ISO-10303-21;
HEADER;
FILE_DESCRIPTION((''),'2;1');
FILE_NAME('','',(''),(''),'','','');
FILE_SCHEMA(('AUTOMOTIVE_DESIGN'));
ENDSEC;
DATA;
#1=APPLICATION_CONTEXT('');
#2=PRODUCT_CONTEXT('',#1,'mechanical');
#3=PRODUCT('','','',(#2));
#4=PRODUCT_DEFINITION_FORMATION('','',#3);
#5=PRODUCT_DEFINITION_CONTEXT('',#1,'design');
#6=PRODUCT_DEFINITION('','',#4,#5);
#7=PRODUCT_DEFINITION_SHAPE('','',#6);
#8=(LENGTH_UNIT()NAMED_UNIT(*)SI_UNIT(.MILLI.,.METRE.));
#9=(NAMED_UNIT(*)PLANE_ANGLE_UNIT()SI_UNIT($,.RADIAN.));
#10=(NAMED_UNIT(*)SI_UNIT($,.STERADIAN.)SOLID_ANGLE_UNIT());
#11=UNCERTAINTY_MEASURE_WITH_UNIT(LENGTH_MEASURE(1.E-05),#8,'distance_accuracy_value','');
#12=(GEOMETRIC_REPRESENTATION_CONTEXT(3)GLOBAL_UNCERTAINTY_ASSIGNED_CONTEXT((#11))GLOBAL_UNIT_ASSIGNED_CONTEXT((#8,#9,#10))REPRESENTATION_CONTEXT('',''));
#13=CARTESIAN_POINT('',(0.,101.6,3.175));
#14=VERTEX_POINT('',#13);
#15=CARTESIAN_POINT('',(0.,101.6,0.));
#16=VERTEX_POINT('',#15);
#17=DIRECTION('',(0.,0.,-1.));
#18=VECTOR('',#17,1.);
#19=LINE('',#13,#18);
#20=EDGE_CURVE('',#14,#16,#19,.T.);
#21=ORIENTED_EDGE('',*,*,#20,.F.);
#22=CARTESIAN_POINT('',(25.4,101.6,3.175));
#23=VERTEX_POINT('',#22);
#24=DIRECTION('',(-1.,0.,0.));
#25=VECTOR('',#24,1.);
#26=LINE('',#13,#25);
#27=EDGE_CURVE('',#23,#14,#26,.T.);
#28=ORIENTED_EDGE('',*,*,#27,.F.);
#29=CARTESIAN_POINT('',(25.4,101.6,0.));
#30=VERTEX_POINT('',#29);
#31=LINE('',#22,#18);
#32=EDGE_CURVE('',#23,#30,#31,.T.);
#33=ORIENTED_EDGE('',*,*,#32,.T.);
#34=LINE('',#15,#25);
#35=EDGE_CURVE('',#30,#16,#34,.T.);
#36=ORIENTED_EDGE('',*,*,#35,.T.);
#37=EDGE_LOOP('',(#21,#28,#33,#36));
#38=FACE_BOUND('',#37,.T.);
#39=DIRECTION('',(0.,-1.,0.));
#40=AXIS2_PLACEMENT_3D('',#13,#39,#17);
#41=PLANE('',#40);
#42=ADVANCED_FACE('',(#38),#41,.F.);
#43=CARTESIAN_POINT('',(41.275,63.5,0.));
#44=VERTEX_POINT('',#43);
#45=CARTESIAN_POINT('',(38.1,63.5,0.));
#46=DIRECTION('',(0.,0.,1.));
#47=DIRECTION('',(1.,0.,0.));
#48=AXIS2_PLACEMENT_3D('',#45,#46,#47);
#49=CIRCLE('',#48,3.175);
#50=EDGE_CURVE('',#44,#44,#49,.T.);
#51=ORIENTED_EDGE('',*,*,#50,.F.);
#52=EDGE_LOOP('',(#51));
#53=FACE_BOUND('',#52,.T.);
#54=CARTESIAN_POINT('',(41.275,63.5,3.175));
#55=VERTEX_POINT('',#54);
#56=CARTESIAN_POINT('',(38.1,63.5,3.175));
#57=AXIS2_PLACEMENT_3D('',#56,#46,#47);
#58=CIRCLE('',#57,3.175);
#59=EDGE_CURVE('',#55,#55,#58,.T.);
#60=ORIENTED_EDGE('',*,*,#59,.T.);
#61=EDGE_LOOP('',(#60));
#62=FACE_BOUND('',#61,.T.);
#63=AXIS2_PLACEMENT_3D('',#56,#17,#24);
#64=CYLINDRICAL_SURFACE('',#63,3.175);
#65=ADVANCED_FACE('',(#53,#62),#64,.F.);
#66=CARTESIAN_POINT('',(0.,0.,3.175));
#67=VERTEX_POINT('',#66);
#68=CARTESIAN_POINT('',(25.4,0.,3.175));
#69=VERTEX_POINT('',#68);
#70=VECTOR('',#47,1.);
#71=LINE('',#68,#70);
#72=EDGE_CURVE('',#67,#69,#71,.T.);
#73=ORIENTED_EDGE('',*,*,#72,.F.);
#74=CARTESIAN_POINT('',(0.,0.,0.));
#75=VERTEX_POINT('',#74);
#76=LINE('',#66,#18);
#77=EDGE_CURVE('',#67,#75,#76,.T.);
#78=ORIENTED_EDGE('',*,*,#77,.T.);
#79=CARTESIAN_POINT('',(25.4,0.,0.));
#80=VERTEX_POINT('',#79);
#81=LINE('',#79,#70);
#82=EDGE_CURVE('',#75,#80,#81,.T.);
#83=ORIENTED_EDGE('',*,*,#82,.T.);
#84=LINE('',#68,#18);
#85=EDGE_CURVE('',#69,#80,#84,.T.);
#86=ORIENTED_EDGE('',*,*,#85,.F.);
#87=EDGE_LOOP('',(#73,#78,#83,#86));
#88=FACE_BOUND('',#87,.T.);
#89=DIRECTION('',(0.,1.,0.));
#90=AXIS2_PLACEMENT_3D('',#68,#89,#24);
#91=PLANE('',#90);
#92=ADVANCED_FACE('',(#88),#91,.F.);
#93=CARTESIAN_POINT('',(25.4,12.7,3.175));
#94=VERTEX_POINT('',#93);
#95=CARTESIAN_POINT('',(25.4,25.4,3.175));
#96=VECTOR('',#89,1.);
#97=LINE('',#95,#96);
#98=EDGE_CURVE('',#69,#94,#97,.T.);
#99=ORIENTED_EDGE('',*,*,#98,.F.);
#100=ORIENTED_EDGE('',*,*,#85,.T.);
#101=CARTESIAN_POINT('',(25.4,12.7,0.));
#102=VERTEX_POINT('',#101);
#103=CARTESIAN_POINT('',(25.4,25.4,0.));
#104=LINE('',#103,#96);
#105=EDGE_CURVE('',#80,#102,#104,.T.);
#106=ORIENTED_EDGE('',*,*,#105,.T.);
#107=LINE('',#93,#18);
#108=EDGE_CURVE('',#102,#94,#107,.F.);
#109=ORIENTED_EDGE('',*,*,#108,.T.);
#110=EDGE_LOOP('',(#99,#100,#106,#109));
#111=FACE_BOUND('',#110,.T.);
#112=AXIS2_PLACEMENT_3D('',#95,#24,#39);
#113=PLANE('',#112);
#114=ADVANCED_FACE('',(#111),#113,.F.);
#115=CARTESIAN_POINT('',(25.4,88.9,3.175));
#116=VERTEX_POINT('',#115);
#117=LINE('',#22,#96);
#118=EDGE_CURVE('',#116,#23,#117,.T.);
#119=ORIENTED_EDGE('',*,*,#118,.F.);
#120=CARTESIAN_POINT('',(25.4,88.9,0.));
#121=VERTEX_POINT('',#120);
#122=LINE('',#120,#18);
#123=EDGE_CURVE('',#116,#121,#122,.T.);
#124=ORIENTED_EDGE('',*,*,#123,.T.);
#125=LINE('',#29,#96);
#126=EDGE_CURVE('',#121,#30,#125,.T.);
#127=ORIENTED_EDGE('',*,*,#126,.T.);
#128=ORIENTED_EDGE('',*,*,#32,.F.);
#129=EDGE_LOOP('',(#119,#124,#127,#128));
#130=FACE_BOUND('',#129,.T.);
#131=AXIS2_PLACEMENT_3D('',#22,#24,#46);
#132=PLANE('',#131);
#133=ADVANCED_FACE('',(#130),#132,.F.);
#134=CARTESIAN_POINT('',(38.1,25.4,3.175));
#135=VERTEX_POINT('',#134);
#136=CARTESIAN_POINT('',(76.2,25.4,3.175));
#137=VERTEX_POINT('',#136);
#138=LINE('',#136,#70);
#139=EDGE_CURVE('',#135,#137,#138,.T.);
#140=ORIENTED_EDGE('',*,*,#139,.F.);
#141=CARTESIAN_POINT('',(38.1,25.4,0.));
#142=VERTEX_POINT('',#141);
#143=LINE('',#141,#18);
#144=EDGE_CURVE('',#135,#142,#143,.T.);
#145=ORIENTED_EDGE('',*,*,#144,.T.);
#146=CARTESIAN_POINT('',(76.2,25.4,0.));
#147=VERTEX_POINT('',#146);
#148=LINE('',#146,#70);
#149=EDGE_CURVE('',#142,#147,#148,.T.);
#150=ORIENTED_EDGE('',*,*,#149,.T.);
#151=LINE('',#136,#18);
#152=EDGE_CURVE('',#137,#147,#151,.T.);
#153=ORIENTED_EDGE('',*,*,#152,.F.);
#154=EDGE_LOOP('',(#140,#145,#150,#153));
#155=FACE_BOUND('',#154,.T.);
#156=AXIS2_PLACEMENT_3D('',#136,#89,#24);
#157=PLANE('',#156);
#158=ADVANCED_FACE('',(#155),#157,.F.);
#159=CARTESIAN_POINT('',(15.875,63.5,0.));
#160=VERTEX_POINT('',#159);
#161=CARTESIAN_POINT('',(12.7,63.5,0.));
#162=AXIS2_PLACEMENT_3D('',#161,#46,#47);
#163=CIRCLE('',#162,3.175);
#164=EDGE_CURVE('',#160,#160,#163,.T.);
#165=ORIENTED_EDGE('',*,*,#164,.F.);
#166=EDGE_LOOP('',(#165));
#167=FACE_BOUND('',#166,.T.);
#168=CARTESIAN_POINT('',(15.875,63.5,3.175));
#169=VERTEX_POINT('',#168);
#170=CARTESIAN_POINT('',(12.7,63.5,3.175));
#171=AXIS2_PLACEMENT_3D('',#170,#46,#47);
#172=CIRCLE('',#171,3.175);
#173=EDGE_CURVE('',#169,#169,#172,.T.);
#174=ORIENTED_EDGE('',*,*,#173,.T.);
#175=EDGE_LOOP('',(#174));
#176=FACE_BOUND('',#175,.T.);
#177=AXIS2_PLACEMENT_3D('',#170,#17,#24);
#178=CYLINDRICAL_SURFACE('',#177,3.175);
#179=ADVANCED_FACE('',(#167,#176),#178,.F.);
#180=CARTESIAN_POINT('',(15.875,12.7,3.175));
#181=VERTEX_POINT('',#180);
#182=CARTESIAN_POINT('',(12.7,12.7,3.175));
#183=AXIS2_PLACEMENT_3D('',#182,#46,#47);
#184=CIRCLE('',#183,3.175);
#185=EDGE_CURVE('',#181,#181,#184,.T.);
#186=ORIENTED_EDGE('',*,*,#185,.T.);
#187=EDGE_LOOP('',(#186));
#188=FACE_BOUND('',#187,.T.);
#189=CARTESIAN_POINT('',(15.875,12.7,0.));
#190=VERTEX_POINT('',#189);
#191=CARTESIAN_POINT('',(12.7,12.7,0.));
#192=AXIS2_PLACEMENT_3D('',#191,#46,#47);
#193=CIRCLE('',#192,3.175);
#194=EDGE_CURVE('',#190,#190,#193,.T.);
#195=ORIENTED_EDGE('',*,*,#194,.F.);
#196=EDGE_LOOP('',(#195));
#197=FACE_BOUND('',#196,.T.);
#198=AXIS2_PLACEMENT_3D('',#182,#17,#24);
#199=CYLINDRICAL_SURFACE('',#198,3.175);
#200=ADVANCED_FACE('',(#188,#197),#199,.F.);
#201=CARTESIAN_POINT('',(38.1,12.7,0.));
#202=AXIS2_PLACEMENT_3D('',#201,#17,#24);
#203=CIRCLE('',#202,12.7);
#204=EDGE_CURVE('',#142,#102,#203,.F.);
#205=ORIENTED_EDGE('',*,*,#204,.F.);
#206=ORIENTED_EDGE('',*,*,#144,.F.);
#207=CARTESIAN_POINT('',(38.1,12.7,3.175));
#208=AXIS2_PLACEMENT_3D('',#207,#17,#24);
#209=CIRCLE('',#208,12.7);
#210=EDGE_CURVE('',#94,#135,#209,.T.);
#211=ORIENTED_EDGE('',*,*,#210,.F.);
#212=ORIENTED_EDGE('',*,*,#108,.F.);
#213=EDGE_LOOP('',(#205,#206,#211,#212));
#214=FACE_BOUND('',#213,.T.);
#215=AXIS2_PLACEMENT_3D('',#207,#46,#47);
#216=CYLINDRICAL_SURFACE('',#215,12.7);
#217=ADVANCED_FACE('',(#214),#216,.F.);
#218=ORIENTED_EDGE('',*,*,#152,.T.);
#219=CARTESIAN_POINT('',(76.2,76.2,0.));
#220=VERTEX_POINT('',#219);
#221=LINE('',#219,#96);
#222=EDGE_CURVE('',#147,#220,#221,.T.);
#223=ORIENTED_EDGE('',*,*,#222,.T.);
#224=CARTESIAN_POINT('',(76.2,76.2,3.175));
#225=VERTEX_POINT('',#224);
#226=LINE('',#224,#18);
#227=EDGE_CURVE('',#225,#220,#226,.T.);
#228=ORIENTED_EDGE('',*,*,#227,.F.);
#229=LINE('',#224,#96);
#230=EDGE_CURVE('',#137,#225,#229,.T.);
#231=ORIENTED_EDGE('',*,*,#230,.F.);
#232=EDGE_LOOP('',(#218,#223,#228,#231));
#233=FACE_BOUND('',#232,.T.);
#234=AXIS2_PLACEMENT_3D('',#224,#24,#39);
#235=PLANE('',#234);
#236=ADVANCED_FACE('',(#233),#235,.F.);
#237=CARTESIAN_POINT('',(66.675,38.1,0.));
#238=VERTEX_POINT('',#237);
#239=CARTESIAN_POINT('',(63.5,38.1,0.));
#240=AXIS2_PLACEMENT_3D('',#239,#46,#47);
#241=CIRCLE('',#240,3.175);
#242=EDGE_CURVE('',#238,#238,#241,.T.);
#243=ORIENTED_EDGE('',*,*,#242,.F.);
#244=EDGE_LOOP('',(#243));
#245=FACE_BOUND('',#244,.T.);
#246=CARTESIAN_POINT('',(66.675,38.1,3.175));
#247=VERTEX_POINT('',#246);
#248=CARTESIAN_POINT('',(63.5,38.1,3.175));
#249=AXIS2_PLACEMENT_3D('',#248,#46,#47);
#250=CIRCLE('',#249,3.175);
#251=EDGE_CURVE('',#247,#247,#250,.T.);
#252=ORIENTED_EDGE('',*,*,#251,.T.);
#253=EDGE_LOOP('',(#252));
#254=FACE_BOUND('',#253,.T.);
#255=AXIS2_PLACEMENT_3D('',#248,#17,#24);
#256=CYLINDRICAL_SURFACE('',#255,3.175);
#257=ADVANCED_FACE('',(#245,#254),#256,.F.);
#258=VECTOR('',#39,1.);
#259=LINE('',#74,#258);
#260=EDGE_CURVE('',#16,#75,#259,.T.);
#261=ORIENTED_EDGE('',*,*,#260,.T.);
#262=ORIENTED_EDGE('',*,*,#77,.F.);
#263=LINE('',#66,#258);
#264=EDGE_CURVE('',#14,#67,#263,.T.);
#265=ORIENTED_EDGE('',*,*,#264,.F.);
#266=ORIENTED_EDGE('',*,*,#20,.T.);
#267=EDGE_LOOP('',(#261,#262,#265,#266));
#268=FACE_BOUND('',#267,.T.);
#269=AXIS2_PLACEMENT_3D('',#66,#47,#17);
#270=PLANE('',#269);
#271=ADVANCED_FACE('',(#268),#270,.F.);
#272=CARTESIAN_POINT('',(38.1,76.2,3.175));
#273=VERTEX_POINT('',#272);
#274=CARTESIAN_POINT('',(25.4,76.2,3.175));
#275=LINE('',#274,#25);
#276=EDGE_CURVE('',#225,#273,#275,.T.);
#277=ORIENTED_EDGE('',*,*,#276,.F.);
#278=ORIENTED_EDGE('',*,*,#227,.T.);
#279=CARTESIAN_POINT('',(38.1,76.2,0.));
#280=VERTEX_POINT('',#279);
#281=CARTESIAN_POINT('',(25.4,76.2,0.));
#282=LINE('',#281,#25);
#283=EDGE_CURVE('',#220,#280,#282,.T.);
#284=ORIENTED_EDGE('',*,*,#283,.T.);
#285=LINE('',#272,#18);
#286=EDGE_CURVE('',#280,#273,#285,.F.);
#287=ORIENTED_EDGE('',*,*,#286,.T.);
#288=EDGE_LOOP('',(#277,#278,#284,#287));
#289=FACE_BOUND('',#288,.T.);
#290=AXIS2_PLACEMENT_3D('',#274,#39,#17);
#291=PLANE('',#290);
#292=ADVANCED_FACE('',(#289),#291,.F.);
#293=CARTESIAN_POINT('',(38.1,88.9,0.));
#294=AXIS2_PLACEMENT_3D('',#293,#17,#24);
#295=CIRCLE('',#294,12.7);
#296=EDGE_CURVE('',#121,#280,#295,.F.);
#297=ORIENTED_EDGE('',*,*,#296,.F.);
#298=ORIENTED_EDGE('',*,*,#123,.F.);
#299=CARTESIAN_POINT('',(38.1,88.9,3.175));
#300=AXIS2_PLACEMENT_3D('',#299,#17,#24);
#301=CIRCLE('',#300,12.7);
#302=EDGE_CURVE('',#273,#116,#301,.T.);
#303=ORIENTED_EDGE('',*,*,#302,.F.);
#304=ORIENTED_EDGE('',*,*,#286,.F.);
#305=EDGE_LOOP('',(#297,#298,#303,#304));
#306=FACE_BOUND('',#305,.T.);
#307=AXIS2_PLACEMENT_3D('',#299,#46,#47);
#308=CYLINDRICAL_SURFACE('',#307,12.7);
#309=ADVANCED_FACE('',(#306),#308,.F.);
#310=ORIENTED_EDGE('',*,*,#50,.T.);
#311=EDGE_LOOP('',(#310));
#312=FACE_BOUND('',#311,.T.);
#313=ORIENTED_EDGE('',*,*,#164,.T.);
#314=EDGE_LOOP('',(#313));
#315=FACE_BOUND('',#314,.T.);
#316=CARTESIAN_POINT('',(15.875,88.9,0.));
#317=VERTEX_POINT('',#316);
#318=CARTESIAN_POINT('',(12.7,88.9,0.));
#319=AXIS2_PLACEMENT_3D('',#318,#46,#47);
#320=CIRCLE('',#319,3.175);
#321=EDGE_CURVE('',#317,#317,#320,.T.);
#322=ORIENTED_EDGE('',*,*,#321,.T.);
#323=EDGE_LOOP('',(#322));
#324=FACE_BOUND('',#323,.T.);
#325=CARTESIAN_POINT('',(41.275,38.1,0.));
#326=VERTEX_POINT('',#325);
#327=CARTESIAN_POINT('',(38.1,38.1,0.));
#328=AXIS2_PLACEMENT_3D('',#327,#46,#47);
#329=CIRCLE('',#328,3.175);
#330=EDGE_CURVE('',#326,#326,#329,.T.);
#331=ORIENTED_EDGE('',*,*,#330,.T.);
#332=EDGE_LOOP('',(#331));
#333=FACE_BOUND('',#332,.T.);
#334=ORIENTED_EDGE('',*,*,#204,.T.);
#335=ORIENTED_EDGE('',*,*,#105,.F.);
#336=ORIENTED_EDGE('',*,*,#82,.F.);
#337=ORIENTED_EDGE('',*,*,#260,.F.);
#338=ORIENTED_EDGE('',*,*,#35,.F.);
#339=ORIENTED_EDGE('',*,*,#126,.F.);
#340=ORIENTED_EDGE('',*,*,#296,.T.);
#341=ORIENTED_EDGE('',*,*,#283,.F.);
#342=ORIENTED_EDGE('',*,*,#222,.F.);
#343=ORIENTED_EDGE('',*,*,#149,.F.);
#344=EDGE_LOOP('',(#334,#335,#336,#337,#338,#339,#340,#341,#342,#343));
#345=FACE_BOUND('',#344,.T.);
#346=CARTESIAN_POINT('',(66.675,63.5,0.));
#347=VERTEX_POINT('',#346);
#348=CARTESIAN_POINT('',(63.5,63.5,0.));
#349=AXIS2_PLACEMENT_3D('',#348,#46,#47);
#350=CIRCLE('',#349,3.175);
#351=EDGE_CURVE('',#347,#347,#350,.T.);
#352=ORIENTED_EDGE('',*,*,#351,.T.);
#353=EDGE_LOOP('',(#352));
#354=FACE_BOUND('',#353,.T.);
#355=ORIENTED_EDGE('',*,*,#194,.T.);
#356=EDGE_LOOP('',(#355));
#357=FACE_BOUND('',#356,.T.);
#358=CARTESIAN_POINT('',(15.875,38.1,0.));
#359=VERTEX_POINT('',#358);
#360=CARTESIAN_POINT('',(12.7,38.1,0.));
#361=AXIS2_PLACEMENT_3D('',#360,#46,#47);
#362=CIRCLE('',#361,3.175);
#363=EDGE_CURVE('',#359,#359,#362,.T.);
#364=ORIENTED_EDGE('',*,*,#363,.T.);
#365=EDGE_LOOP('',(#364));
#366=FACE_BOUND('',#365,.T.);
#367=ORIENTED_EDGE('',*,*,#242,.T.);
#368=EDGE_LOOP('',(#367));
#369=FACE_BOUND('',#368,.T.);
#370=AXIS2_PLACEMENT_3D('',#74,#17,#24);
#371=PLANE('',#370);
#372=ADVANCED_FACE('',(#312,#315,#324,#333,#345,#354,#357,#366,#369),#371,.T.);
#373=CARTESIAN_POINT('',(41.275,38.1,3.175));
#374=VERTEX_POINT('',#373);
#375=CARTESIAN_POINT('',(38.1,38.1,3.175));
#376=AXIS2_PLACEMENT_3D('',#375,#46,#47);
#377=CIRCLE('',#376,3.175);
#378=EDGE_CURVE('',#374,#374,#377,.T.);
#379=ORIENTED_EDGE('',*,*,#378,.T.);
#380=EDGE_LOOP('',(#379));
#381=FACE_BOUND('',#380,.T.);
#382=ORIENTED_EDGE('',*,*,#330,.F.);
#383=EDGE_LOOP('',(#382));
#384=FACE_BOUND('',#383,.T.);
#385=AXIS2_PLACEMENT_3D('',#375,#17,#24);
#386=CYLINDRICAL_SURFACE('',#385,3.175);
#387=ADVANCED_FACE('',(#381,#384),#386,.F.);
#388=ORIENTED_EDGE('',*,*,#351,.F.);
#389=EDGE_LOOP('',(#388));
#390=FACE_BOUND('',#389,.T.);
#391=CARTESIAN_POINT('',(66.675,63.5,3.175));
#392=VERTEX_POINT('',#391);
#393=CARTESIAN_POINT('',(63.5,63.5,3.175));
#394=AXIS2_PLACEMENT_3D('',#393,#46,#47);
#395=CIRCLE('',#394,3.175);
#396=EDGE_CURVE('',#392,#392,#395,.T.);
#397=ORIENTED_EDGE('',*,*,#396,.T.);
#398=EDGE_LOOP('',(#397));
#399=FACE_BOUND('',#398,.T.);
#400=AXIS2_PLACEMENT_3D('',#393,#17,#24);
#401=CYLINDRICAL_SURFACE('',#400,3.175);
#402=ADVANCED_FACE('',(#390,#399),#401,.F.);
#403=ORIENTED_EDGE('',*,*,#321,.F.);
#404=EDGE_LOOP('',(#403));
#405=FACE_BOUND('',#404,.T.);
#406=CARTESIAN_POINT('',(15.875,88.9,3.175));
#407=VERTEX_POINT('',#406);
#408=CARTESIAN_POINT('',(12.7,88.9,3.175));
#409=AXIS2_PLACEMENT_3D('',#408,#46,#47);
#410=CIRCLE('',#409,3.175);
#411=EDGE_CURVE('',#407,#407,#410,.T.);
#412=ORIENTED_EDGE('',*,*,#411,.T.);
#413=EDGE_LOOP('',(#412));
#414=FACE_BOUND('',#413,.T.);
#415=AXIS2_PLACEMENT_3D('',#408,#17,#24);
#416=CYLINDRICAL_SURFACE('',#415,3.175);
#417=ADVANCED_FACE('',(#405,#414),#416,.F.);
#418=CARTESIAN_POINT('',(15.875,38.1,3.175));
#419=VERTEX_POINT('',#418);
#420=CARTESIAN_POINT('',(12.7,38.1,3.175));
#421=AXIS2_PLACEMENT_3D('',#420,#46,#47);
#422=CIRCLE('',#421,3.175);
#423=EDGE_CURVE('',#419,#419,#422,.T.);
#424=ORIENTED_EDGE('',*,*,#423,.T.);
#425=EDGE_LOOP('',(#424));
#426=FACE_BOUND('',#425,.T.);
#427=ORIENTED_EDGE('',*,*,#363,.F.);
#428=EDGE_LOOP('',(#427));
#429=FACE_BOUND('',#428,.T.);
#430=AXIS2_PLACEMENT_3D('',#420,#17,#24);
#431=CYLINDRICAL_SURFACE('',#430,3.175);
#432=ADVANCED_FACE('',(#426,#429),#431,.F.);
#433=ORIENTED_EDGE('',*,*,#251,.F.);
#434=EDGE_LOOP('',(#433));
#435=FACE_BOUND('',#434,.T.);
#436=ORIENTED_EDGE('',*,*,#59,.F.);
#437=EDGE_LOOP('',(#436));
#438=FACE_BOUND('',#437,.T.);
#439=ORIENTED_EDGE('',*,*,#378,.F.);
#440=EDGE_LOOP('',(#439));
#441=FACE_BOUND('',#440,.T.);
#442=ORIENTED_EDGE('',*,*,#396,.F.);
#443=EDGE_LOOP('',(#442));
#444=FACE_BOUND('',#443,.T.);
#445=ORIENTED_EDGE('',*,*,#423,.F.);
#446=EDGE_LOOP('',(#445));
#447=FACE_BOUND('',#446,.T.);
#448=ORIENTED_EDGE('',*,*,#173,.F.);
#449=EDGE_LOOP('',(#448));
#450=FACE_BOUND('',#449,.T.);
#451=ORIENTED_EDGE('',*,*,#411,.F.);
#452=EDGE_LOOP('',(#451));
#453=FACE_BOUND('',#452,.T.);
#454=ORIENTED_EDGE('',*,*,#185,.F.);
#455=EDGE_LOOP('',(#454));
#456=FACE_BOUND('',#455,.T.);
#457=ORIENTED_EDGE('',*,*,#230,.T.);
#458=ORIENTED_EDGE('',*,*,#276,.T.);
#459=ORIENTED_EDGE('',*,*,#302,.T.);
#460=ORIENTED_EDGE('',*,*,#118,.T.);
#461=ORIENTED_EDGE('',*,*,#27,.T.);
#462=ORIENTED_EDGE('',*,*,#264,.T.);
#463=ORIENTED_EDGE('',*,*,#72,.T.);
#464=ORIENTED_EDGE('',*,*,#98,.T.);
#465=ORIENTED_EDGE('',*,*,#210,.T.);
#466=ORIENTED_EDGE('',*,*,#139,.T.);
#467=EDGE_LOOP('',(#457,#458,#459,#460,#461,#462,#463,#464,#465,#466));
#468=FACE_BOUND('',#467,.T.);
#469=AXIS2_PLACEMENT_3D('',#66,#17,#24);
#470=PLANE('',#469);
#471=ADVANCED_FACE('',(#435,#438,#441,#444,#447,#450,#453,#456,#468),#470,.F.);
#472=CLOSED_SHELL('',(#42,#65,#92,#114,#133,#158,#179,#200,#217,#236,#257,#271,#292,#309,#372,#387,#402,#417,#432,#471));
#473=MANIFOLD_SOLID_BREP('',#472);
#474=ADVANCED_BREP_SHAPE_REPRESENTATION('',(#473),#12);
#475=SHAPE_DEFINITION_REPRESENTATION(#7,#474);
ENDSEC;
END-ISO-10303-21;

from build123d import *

# Parameters (mm, degrees)
SKETCH1_R           = 3.175
BOSS_EXTRUDE1_DEPTH = 3.175
FILLET1_R           = 12.7


with BuildPart() as part:
    # Sketch1 → Boss-Extrude1 (new body)
    with BuildSketch(Plane.XY):
        Polygon((0, 0), (0, 101.6), (25.4, 101.6), (25.4, 76.2), (76.2, 76.2), (76.2, 25.4), (25.4, 25.4), (25.4, 0), align=None)
        with Locations((12.7, 88.9)):
            Circle(SKETCH1_R, mode=Mode.SUBTRACT)
        with Locations((12.7, 63.5)):
            Circle(SKETCH1_R, mode=Mode.SUBTRACT)
        with Locations((12.7, 38.1)):
            Circle(SKETCH1_R, mode=Mode.SUBTRACT)
        with Locations((12.7, 12.7)):
            Circle(SKETCH1_R, mode=Mode.SUBTRACT)
        with Locations((38.1, 63.5)):
            Circle(SKETCH1_R, mode=Mode.SUBTRACT)
        with Locations((38.1, 38.1)):
            Circle(SKETCH1_R, mode=Mode.SUBTRACT)
        with Locations((63.5, 63.5)):
            Circle(SKETCH1_R, mode=Mode.SUBTRACT)
        with Locations((63.5, 38.1)):
            Circle(SKETCH1_R, mode=Mode.SUBTRACT)
    extrude(amount=BOSS_EXTRUDE1_DEPTH)

    # Fillet1
    fillet1_edges = [part.edges().sort_by_distance(p)[0] for p in [
        (25.4, 76.2, 1.5875),
        (25.4, 25.4, 1.5875),
    ]]
    fillet(fillet1_edges, radius=FILLET1_R)


solid = part.part
